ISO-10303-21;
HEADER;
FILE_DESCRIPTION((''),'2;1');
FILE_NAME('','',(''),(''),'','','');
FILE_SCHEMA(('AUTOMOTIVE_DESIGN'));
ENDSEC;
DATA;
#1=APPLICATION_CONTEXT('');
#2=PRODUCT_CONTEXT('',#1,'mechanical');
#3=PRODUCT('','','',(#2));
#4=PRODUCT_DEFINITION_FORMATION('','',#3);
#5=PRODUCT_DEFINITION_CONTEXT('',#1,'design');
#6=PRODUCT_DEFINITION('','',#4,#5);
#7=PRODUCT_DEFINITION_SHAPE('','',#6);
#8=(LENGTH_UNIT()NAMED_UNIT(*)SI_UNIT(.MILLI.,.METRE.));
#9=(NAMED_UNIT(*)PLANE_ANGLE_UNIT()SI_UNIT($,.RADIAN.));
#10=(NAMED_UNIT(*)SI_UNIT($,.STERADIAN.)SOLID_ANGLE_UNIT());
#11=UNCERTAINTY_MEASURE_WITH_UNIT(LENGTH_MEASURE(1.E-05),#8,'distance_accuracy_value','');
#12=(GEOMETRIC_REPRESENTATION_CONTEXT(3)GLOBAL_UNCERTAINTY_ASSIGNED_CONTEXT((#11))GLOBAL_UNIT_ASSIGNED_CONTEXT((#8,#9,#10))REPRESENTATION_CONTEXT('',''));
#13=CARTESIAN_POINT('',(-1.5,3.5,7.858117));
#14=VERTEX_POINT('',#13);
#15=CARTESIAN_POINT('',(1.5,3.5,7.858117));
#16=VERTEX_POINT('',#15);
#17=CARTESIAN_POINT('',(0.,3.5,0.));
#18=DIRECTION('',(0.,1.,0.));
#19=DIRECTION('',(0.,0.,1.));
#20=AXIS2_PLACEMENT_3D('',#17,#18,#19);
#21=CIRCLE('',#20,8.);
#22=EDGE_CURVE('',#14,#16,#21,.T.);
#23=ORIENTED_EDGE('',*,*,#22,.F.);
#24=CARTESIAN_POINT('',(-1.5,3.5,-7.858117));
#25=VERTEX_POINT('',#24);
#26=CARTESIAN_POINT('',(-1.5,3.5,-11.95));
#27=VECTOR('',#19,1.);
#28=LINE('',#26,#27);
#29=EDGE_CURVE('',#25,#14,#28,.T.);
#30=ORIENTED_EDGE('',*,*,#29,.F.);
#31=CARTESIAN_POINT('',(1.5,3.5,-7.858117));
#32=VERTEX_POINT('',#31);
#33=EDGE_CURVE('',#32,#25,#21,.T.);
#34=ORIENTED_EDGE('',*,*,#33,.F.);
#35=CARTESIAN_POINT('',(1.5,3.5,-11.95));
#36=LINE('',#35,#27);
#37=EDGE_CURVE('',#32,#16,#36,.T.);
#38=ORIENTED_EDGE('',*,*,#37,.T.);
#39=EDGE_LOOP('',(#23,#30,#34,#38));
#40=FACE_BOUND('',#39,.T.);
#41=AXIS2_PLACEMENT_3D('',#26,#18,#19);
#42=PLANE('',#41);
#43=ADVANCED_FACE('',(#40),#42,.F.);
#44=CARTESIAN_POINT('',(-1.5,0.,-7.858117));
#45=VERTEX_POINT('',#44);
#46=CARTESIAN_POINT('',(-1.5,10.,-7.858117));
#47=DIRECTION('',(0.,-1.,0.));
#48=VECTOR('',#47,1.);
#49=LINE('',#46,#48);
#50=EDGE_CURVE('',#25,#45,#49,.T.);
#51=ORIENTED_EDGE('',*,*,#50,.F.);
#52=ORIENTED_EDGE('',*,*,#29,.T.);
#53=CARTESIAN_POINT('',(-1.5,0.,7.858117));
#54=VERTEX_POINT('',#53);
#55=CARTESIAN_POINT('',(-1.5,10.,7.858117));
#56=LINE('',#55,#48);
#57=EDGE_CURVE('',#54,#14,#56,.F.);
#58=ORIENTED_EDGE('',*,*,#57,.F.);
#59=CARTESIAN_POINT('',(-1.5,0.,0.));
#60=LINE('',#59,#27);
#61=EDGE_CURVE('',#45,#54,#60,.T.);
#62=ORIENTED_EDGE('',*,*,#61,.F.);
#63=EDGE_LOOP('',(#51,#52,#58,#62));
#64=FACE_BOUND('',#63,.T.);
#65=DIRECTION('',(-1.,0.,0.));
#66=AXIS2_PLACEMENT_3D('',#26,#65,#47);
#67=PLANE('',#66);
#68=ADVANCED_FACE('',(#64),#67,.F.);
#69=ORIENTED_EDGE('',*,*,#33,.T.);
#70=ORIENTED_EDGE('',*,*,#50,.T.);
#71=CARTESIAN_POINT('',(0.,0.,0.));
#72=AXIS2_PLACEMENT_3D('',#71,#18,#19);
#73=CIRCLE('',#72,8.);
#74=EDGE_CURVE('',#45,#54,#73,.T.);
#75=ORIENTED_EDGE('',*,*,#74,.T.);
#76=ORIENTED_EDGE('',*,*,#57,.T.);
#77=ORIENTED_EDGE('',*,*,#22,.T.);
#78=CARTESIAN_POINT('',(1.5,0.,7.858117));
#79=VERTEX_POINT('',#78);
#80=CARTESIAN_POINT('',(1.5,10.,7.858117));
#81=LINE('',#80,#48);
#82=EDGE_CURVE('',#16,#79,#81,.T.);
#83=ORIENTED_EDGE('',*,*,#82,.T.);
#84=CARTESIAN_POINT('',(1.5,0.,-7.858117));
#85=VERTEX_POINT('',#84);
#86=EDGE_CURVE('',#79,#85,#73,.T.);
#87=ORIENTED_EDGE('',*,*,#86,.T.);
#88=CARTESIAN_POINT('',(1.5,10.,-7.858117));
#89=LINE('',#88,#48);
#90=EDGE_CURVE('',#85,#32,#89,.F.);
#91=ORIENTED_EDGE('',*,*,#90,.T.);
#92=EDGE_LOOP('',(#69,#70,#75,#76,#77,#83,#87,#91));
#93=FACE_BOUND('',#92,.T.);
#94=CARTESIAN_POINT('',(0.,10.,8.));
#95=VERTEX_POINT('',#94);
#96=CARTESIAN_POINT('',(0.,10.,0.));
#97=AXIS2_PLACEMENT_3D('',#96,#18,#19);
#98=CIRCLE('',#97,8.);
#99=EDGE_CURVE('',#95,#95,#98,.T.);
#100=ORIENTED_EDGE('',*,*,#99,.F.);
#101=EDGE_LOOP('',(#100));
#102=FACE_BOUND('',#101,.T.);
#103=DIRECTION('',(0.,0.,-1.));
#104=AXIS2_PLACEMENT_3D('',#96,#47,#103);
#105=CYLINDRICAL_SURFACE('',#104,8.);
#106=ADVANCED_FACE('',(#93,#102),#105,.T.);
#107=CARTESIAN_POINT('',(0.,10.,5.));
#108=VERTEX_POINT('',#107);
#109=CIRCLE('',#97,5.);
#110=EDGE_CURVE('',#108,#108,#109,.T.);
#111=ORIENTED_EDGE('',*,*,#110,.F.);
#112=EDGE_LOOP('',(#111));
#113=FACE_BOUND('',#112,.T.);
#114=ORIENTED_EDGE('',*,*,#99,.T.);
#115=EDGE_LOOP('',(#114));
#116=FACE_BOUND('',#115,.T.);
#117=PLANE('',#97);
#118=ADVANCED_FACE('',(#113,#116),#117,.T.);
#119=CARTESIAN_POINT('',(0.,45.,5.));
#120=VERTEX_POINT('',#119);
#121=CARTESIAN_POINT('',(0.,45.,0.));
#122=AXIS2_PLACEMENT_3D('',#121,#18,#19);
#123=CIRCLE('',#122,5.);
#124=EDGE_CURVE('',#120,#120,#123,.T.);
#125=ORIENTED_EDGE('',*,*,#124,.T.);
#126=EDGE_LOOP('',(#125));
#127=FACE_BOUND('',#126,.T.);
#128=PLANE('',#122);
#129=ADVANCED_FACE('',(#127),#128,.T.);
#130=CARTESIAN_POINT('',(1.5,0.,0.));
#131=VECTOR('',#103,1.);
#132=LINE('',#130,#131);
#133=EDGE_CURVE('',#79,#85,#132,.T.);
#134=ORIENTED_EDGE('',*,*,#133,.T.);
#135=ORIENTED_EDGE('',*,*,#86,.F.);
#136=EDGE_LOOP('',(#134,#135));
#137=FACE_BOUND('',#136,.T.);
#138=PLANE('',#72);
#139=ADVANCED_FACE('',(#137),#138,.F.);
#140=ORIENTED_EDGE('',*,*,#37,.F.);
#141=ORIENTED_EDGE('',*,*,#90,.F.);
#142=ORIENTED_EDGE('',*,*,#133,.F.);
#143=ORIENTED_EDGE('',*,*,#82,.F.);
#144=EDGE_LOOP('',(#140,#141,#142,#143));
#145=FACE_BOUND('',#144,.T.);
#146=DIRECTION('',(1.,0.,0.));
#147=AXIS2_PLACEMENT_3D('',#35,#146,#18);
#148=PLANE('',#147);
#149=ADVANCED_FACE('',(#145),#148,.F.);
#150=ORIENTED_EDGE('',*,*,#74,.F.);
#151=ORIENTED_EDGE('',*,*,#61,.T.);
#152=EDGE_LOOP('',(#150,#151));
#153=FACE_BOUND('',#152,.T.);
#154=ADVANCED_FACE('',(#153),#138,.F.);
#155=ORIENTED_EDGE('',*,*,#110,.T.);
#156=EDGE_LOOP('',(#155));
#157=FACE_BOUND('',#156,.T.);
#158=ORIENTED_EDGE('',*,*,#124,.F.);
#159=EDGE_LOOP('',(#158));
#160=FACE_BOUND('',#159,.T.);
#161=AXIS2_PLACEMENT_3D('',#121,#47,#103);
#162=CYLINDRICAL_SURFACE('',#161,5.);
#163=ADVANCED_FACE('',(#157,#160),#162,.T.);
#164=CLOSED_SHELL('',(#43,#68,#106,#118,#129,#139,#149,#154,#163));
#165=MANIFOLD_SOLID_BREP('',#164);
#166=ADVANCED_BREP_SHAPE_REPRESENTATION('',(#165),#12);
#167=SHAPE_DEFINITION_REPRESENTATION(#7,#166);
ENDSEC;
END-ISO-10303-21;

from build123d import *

# Parameters (mm, degrees)
SKETCH_1_R          = 8
EXTRUDE_1_DEPTH     = 10
SKETCH_2_W          = 3
SKETCH_2_H          = 3.5
CUT_EXTRUDE_1_DEPTH = 11.95
SKETCH_3_R          = 5
EXTRUDE_2_DEPTH     = 35


with BuildPart() as part:
    # Эскиз1 → Бобышка-Вытянуть1 (new body)
    with BuildSketch(Plane(origin=(0, 0, 0), x_dir=(1, 0, 0), z_dir=(0, 1, 0))):
        with Locations(Location((0, 0, 0), (0, 0, 270))):
            Circle(SKETCH_1_R)
    extrude(amount=EXTRUDE_1_DEPTH)

    # Эскиз2 → Вырез-Вытянуть1 (cut, symmetric)
    with BuildSketch(Plane.XY):
        with Locations((0, 1.75)):
            Rectangle(SKETCH_2_W, SKETCH_2_H)
    extrude(amount=CUT_EXTRUDE_1_DEPTH, both=True, mode=Mode.SUBTRACT)

    # Эскиз3 → Бобышка-Вытянуть2 (add)
    with BuildSketch(Plane(origin=(0, 10, 0), x_dir=(1, 0, 0), z_dir=(0, 1, 0))):
        with Locations(Location((0, 0, 0), (0, 0, 270))):
            Circle(SKETCH_3_R)
    extrude(amount=EXTRUDE_2_DEPTH)


solid = part.part
